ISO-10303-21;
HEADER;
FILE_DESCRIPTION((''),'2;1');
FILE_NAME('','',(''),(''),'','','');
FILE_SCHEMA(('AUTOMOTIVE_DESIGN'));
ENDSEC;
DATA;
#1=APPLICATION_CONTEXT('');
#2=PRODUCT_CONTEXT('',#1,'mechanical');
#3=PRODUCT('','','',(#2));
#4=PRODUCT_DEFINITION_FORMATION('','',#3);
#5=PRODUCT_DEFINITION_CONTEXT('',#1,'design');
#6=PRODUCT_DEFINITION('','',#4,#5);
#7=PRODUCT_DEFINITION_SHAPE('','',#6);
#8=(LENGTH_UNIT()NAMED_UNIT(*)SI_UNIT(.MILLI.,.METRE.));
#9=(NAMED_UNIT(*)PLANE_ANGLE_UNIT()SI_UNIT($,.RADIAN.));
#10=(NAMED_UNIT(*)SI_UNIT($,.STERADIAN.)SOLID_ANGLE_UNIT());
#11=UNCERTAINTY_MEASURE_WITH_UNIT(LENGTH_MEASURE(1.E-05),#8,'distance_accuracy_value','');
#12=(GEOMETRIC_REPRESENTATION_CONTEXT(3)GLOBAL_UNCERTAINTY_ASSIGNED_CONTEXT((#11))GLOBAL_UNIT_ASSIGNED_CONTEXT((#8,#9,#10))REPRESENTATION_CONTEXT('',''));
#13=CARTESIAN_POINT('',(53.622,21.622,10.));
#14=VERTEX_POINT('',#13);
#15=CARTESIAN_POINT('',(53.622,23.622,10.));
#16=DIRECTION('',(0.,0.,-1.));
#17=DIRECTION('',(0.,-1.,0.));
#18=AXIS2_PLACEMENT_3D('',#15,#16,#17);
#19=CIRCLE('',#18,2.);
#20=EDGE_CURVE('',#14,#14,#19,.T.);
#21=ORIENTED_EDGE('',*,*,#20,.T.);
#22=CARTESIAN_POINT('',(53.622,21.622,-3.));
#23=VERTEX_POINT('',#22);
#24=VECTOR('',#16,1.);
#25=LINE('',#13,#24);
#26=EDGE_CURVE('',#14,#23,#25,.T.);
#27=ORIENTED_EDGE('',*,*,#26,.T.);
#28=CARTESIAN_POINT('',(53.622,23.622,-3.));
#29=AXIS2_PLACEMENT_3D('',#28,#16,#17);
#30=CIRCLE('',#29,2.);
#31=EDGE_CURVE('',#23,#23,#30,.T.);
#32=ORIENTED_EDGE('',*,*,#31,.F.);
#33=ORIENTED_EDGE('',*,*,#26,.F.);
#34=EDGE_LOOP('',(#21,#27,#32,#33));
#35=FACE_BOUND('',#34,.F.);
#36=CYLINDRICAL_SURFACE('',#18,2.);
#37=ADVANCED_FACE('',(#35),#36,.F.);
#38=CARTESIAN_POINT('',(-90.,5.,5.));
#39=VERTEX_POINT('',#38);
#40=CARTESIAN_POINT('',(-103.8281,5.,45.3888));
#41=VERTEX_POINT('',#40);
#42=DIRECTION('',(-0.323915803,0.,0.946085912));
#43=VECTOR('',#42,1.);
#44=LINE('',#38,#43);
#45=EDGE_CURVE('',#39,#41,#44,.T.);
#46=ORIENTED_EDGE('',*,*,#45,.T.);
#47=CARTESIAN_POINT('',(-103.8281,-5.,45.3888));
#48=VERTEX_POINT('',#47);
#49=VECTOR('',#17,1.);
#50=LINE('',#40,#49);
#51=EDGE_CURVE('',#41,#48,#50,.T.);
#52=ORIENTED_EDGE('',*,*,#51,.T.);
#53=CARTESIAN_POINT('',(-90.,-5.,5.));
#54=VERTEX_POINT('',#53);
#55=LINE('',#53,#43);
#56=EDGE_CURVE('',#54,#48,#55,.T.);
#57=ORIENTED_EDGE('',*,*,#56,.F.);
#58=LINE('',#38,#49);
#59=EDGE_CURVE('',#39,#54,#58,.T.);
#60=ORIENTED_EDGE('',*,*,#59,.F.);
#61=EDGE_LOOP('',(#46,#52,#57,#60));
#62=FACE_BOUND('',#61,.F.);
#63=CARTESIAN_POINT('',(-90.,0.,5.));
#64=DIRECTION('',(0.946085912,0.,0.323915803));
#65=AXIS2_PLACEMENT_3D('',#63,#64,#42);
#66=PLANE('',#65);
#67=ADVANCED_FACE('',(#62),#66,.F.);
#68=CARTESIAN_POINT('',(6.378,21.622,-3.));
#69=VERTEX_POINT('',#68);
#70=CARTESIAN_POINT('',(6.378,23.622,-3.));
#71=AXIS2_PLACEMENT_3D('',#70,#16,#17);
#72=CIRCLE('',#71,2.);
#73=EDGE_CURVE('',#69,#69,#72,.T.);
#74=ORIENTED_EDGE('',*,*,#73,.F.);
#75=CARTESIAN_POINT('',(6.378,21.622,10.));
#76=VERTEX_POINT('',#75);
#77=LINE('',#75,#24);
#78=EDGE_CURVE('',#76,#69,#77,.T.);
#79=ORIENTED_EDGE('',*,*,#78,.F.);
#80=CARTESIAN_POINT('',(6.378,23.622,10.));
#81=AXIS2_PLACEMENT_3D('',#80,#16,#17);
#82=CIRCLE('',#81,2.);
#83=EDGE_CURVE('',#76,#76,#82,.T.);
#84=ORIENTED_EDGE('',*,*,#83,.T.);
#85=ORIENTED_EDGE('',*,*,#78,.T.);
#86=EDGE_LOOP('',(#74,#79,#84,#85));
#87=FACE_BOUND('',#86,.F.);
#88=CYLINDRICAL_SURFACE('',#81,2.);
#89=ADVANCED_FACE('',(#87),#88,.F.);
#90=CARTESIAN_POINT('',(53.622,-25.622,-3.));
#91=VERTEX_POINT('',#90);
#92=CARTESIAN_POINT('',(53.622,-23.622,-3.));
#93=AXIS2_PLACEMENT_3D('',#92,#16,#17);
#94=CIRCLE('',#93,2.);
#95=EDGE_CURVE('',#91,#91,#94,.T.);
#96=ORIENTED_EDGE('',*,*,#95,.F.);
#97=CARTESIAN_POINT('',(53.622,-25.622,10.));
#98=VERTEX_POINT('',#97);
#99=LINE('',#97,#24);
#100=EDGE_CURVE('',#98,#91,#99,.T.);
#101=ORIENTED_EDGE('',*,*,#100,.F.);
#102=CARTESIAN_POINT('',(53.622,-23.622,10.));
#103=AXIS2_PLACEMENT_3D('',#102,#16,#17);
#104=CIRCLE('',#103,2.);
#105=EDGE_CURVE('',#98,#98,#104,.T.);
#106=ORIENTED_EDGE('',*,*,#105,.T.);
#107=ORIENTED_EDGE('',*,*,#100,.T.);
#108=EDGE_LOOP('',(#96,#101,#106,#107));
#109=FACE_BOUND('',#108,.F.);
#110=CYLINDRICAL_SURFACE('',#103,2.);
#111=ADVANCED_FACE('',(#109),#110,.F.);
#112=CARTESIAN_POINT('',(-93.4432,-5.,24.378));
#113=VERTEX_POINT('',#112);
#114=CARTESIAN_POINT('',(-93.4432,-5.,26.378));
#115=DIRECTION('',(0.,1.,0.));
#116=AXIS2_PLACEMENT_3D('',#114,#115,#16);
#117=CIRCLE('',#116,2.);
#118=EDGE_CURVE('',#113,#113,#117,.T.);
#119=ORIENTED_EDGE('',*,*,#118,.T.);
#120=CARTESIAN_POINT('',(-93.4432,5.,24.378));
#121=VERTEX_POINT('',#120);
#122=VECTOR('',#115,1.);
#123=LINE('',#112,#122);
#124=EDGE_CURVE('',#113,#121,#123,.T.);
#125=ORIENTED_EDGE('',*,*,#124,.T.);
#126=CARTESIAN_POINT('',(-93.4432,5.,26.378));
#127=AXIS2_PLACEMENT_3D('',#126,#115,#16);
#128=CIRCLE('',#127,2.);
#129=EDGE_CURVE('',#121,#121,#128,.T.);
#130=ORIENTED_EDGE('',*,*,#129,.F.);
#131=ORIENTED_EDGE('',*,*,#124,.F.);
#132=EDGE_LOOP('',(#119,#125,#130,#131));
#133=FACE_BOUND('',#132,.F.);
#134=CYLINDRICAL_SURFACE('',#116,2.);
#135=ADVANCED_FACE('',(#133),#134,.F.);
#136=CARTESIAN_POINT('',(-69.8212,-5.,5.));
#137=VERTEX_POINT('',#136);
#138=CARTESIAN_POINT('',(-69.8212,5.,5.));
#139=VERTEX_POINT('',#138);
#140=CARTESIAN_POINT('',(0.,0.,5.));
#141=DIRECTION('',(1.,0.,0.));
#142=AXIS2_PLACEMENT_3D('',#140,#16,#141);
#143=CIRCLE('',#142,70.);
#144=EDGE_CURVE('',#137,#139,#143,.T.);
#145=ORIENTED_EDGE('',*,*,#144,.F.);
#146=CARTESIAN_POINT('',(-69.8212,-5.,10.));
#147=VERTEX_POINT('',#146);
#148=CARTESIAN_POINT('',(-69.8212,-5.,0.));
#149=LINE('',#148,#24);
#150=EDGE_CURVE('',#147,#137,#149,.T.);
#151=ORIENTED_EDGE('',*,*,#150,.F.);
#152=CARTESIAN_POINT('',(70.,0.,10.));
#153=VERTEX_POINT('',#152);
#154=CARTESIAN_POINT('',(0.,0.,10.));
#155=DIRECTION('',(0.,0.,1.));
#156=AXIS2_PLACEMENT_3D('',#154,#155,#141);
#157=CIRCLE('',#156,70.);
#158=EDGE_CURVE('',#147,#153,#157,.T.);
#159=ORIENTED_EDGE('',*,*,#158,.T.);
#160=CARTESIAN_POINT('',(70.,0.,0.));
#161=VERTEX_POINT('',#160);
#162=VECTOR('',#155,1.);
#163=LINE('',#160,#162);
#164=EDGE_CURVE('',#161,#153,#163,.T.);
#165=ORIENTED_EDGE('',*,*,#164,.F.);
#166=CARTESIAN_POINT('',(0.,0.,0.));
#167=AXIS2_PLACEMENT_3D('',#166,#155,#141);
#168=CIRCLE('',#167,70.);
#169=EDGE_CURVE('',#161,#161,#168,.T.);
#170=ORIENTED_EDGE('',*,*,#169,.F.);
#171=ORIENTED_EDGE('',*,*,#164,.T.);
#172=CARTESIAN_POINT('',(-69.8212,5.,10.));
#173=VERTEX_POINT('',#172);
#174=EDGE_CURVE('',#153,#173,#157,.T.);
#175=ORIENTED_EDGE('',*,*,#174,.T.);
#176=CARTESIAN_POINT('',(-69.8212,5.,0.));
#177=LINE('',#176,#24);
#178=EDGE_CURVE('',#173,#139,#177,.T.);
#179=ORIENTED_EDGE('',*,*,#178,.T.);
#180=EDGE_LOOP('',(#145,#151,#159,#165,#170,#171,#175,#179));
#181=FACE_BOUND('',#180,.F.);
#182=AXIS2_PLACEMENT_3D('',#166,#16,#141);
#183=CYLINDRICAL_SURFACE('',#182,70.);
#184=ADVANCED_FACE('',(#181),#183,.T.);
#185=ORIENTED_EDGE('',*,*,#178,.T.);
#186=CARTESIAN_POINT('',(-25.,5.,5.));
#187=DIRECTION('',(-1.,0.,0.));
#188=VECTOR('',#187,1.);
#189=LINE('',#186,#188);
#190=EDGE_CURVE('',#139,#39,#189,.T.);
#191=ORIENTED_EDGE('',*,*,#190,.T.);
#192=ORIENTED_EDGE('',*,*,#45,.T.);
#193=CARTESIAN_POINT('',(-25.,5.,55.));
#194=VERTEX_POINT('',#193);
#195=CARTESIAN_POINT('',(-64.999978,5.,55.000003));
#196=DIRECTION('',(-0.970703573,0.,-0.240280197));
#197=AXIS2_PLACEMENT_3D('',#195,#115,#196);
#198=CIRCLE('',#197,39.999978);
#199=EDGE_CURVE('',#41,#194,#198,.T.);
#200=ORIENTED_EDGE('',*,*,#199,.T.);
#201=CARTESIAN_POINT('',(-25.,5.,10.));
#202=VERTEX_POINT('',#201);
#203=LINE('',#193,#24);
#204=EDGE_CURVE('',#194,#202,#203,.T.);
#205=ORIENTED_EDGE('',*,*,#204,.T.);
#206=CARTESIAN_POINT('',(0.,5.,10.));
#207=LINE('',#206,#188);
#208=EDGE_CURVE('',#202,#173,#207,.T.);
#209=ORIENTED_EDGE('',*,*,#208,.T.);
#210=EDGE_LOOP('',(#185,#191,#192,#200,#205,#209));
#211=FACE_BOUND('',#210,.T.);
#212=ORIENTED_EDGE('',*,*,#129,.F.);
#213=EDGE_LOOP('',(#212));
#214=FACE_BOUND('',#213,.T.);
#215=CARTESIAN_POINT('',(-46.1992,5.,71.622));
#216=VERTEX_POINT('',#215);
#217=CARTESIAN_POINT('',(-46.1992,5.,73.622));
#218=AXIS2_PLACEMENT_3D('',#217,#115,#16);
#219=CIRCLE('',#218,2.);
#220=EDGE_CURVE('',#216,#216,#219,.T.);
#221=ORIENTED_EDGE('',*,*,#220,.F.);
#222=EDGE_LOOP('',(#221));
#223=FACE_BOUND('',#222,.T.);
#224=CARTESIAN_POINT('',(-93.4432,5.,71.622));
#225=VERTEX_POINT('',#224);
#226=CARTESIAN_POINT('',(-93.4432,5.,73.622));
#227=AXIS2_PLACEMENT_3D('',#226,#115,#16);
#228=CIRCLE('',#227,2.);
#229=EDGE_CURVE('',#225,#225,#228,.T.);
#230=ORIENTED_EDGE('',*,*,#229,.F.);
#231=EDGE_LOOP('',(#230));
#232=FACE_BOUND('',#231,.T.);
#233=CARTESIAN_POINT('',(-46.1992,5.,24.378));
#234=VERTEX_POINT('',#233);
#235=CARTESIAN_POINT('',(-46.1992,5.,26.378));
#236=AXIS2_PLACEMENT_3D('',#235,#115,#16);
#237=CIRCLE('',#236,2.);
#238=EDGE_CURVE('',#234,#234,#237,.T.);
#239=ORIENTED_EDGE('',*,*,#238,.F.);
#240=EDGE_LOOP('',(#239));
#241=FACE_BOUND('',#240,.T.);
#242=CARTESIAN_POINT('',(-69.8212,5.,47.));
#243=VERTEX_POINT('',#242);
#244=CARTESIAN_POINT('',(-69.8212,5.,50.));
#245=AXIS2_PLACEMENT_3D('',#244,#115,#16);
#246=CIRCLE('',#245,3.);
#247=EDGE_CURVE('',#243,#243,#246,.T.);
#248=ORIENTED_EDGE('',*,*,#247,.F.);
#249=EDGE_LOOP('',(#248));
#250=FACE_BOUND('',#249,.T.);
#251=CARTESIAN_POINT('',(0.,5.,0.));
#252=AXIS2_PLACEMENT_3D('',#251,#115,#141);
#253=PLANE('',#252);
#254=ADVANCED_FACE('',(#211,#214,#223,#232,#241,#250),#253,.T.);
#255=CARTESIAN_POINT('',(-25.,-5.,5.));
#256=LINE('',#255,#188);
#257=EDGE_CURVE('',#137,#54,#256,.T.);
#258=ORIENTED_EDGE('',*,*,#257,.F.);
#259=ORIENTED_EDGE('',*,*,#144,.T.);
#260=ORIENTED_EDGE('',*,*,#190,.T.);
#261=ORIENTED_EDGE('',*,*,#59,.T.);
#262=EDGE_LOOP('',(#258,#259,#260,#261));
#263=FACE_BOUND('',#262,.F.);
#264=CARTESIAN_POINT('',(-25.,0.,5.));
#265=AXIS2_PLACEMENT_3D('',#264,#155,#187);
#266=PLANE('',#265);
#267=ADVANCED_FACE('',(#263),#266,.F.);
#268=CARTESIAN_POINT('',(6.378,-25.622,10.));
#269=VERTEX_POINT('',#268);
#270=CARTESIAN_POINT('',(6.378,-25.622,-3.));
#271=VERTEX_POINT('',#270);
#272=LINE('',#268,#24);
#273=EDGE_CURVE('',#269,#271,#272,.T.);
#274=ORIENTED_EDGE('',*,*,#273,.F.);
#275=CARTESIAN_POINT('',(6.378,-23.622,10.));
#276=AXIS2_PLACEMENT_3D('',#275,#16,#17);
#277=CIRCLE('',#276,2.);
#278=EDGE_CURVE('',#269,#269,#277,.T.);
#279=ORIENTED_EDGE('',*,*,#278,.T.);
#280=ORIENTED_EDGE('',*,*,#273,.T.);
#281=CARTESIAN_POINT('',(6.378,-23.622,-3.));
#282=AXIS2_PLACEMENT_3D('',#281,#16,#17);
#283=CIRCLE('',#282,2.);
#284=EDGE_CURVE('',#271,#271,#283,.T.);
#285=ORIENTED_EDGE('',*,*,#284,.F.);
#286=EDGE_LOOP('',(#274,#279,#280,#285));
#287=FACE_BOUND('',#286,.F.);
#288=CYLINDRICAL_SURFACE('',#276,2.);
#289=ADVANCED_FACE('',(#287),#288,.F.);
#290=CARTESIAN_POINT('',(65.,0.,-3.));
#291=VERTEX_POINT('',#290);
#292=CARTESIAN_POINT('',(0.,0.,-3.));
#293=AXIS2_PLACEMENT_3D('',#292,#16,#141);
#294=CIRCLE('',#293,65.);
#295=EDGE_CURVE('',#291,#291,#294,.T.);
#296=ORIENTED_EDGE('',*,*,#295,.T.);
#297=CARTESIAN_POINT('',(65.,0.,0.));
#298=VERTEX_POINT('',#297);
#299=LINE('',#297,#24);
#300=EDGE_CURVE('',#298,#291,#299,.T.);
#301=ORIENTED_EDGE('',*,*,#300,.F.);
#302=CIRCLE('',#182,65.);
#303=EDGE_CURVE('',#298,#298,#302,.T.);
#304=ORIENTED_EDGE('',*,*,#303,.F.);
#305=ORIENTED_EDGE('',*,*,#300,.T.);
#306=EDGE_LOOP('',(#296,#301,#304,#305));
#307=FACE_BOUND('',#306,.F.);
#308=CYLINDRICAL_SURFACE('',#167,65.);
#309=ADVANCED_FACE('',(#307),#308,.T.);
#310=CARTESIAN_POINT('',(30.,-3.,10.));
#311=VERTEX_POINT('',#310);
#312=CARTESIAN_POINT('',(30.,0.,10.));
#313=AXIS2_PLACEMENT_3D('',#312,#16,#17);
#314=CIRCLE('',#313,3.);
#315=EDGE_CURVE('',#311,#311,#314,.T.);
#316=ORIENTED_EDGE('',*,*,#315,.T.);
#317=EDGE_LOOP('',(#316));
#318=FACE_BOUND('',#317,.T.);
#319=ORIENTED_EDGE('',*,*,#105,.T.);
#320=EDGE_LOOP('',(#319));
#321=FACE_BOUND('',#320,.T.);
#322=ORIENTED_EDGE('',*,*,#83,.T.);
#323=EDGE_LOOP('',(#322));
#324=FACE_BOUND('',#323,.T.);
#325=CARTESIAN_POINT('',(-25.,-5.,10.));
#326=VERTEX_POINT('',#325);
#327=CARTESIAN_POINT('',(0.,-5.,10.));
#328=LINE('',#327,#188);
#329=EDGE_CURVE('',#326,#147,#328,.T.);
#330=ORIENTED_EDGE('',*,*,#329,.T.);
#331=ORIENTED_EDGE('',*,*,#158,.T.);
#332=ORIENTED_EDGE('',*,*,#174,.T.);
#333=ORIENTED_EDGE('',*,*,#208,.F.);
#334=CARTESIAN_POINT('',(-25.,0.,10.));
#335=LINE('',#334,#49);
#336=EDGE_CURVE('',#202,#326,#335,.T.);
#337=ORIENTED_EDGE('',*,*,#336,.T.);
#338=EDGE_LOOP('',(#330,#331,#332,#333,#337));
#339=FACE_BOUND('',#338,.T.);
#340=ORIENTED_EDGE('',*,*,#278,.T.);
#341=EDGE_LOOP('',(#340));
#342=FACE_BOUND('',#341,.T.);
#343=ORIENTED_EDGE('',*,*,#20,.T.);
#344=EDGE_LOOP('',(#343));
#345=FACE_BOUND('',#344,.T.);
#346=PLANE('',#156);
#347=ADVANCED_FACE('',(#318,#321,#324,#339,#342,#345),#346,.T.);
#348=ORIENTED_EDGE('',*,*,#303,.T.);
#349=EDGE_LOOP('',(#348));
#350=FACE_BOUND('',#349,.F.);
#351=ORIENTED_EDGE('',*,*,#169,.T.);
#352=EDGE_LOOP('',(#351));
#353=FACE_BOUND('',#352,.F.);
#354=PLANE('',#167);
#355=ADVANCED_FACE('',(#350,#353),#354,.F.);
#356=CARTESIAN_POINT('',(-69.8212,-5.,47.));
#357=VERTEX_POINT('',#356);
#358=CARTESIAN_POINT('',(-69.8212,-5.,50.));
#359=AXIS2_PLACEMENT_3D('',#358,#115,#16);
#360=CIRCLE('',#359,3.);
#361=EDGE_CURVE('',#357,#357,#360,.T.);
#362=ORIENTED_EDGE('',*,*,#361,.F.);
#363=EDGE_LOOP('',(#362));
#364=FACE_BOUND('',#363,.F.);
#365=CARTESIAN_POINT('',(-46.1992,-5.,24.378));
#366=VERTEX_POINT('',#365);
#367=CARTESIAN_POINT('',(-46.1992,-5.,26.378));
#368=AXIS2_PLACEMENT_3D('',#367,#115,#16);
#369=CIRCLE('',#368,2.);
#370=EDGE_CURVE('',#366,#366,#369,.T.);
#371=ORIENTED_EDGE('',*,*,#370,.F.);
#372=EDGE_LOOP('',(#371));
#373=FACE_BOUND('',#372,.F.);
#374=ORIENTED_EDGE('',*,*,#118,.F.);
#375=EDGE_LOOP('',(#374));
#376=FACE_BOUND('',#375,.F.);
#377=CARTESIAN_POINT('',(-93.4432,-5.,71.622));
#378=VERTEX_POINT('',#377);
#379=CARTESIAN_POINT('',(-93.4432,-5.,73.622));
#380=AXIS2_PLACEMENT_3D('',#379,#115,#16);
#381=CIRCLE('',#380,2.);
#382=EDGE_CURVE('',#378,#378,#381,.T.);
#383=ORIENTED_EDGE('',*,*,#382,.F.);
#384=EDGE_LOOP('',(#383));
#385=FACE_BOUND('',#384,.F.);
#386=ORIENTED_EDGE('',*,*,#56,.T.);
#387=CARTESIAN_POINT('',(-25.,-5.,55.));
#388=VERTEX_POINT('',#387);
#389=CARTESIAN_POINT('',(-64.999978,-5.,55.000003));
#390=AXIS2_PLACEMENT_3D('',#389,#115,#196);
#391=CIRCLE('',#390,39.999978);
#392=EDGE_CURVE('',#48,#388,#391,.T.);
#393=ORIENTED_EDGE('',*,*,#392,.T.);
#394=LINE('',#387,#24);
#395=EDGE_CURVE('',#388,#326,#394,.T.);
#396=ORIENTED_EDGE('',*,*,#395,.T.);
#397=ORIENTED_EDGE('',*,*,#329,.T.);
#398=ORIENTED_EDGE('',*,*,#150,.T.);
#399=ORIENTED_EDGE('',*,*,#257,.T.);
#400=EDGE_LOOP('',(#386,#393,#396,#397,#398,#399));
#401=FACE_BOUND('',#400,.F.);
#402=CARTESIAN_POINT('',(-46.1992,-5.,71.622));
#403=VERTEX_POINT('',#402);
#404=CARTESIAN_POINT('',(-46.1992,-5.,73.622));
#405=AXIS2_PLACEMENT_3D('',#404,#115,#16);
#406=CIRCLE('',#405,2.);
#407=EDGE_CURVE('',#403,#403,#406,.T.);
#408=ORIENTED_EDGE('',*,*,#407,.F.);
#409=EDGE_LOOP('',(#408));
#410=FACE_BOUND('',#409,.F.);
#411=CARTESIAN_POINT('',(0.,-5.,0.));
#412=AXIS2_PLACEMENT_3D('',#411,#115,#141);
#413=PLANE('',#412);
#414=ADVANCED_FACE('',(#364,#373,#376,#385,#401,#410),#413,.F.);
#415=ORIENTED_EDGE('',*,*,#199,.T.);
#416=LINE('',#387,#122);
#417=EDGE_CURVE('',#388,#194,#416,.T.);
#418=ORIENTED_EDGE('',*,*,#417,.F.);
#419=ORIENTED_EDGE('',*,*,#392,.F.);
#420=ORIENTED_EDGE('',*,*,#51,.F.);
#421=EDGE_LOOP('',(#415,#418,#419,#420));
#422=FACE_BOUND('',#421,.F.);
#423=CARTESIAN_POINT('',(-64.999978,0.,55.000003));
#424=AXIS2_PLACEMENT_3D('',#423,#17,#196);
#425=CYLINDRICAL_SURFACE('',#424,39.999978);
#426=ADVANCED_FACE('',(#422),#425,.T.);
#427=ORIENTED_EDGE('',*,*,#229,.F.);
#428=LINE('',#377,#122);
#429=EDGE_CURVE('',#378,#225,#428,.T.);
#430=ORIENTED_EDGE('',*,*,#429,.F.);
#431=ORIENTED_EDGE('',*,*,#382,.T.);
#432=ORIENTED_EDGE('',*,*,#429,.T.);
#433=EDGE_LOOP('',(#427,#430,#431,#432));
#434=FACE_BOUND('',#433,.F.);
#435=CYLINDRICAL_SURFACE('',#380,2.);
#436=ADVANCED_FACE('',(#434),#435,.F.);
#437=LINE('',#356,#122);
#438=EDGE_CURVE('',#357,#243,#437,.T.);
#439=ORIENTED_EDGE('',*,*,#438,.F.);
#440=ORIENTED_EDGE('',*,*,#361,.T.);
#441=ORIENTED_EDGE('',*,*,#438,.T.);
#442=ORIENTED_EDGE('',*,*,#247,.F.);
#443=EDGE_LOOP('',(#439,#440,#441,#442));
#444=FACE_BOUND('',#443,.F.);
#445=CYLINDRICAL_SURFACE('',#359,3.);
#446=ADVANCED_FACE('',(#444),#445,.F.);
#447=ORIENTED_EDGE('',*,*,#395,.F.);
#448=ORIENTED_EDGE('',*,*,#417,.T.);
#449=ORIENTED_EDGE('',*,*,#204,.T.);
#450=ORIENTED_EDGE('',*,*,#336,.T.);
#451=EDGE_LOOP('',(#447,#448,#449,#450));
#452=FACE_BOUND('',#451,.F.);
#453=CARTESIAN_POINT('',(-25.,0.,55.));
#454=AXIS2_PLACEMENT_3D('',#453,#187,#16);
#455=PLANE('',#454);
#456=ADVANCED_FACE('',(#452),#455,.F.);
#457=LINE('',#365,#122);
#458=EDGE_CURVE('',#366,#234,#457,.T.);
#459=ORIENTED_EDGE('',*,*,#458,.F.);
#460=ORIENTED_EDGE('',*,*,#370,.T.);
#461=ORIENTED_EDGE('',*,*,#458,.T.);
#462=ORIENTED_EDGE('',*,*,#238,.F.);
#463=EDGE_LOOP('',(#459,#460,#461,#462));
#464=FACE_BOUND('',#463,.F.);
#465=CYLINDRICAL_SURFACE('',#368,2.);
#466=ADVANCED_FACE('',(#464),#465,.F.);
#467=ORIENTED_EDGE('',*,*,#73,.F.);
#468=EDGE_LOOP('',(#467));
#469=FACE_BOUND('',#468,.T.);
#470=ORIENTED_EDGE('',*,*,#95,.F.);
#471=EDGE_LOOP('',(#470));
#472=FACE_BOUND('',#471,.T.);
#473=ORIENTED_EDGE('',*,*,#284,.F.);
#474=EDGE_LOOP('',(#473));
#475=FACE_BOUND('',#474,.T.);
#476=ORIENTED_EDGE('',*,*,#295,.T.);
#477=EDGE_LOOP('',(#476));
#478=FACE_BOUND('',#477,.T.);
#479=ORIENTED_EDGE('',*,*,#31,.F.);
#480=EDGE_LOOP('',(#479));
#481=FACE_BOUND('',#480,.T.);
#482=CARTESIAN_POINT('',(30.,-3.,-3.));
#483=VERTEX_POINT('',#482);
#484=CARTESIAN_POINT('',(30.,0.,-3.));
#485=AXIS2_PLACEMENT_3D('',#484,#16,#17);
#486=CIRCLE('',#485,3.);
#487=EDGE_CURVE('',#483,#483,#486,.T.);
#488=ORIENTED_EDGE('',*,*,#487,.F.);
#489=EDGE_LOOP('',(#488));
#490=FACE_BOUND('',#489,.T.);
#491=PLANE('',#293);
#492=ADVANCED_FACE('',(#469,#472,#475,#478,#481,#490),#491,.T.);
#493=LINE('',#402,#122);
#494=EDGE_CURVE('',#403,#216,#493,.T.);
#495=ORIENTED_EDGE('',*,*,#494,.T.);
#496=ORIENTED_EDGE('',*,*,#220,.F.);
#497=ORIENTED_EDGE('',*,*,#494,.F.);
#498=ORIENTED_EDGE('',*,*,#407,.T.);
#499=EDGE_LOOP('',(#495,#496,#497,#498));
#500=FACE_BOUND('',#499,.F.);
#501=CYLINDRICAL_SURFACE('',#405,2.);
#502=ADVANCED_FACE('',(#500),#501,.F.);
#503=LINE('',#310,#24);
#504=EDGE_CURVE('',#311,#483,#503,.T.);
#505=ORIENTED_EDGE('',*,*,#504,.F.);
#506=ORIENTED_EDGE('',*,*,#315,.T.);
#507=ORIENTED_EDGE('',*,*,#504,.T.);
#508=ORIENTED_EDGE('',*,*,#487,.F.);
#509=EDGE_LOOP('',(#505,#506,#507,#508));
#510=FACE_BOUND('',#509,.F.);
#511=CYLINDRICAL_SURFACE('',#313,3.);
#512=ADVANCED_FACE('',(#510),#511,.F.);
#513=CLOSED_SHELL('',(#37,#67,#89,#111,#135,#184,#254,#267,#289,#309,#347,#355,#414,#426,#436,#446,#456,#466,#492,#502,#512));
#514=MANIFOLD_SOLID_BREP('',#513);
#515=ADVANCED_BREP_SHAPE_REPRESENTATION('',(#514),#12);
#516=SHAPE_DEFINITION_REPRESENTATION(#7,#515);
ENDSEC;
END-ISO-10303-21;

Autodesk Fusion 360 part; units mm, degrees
sketch "Sketch1" plane through (0, 0, 0) normal (0, 0, 1) x (1, 0, 0)
  circle A0 centre (0, 0) radius 70
  dimension "d1" = 140
extrude "Extrude1" add sketch "Sketch1" along normal blind 10
sketch "Sketch2" plane through (0, 0, 0) normal (0, 0, -1) x (1, 0, 0)
  circle A0 centre (0, 0) radius 70
  circle A1 centre (0, 0) radius 65
  dimension "d4" = -5
extrude "Extrude2" add sketch "Sketch2" along normal blind 3 contours A1
sketch "Sketch3" plane through (0, 0, 0) normal (0, 1, 0) x (1, 0, 0)
  line L0 (-25, -55) -> (-25, -5)
  line L1 (-25, -5) -> (-90, -5)
  line L2 (-90, -5) -> (-103.8281, -45.3888)
  arc A0 (-103.8281, -45.3888) -> (-25, -55) centre (-65, -55) ccw
  dimension "d7" = 50
  dimension "d8" = 65
  dimension "d9" = 40
  dimension "d12" = 5
  dimension "d14" = 25
extrude "Extrude3" add sketch "Sketch3" along normal mid plane 10
sketch "Sketch4" plane through (0, 0, 10) normal (0, 0, 1) x (-1, 0, 0)
  line L0 (69.8212, -5) -> (25, -5)
  line L1 (25, -5) -> (25, 5)
  line L2 (25, 5) -> (69.8212, 5)
  arc A0 (69.8212, 5) -> (69.8212, -5) centre (0, 0) ccw
  line L3 (-6.378, 23.622) -> (-53.622, 23.622)
  line L4 (-53.622, 23.622) -> (-53.622, -23.622)
  line L5 (-53.622, -23.622) -> (-6.378, -23.622)
  line L6 (-6.378, -23.622) -> (-6.378, 23.622)
  line L7 (-6.378, 23.622) -> (-53.622, -23.622) construction
  line L8 (-53.622, 23.622) -> (-6.378, -23.622) construction
  point P0 (-30, 0)
  dimension "d17" = 47.244
  dimension "d18" = 47.244
  dimension "d20" = 30
hole "Hole1" at (6.378, 23.622, 10) at (53.622, 23.622, 10) at (53.622, -23.622, 10) at (6.378, -23.622, 10) direction (0, 0, -1) diameter 4 depth 15 tip angle 118
hole "Hole2" at (30, 0, 10) direction (0, 0, -1) diameter 6 depth 15 tip angle 118
sketch "Sketch5" plane through (0, -5, 0) normal (0, -1, 0) x (1, 0, 0)
  line L0 (-69.8212, 10) -> (-25, 10)
  line L1 (-25, 10) -> (-25, 55)
  arc A0 (-25, 55) -> (-103.8281, 45.3888) centre (-65, 55) ccw
  line L2 (-103.8281, 45.3888) -> (-90, 5)
  line L3 (-90, 5) -> (-69.8212, 5)
  line L4 (-69.8212, 5) -> (-69.8212, 10)
  line L5 (-93.4432, 73.622) -> (-46.1992, 73.622)
  line L6 (-46.1992, 73.622) -> (-46.1992, 26.378)
  line L7 (-46.1992, 26.378) -> (-93.4432, 26.378)
  line L8 (-93.4432, 26.378) -> (-93.4432, 73.622)
  line L9 (-93.4432, 73.622) -> (-46.1992, 26.378) construction
  line L10 (-46.1992, 73.622) -> (-93.4432, 26.378) construction
  point P0 (-69.8212, 50)
  dimension "d27" = 47.244
  dimension "d28" = 47.244
  dimension "d30" = 45
hole "Hole3" at (-93.4432, -5, 73.622) at (-46.1992, -5, 73.622) at (-93.4432, -5, 26.378) at (-46.1992, -5, 26.378) direction (0, 1, 0) diameter 4 depth 15 tip angle 118
hole "Hole4" at (-69.8212, -5, 50) direction (0, 1, 0) diameter 6 depth 15 tip angle 118
